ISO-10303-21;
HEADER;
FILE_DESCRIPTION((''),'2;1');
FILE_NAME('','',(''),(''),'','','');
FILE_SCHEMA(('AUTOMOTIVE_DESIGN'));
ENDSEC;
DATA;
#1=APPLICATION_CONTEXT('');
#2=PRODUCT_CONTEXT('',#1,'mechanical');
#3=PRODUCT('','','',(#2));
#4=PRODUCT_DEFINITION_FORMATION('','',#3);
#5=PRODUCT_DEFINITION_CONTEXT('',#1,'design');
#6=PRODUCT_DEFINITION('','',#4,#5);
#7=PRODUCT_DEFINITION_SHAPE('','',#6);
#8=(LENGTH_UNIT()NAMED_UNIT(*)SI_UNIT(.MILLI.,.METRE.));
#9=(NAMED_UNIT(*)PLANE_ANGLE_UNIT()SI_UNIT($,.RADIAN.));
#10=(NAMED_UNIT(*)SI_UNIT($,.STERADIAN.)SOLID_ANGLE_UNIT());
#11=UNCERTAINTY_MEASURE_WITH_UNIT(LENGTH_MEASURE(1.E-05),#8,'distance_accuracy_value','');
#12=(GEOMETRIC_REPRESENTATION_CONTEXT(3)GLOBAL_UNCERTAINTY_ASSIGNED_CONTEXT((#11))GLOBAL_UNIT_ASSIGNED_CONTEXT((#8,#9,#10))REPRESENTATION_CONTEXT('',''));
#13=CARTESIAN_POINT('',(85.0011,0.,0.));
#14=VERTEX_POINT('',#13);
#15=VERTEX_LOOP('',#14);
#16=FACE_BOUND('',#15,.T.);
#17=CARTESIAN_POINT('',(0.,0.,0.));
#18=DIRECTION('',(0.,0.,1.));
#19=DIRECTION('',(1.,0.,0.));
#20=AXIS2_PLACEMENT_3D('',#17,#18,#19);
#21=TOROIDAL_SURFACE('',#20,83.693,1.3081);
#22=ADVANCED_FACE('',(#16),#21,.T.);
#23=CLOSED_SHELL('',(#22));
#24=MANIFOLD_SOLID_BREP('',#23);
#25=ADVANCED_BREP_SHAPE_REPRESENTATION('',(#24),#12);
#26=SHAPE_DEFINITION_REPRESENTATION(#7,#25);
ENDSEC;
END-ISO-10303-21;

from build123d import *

# Parameters (mm, degrees)
SKETCH1_R = 1.3081


with BuildPart() as part:
    # Sketch1 → Revolve1 (revolve)
    with BuildSketch(Plane(origin=(0, 0, 0), x_dir=(0, -1, 0), z_dir=(1, 0, 0)), mode=Mode.PRIVATE) as revolve1_sk:
        with Locations((83.693, 0)):
            Circle(SKETCH1_R)
    revolve(revolve1_sk.sketch.rotate(Axis((0, 0, 1.3081), (0, 0, -1)), 270), axis=Axis((0, 0, 1.3081), (0, 0, -1)))


solid = part.part
